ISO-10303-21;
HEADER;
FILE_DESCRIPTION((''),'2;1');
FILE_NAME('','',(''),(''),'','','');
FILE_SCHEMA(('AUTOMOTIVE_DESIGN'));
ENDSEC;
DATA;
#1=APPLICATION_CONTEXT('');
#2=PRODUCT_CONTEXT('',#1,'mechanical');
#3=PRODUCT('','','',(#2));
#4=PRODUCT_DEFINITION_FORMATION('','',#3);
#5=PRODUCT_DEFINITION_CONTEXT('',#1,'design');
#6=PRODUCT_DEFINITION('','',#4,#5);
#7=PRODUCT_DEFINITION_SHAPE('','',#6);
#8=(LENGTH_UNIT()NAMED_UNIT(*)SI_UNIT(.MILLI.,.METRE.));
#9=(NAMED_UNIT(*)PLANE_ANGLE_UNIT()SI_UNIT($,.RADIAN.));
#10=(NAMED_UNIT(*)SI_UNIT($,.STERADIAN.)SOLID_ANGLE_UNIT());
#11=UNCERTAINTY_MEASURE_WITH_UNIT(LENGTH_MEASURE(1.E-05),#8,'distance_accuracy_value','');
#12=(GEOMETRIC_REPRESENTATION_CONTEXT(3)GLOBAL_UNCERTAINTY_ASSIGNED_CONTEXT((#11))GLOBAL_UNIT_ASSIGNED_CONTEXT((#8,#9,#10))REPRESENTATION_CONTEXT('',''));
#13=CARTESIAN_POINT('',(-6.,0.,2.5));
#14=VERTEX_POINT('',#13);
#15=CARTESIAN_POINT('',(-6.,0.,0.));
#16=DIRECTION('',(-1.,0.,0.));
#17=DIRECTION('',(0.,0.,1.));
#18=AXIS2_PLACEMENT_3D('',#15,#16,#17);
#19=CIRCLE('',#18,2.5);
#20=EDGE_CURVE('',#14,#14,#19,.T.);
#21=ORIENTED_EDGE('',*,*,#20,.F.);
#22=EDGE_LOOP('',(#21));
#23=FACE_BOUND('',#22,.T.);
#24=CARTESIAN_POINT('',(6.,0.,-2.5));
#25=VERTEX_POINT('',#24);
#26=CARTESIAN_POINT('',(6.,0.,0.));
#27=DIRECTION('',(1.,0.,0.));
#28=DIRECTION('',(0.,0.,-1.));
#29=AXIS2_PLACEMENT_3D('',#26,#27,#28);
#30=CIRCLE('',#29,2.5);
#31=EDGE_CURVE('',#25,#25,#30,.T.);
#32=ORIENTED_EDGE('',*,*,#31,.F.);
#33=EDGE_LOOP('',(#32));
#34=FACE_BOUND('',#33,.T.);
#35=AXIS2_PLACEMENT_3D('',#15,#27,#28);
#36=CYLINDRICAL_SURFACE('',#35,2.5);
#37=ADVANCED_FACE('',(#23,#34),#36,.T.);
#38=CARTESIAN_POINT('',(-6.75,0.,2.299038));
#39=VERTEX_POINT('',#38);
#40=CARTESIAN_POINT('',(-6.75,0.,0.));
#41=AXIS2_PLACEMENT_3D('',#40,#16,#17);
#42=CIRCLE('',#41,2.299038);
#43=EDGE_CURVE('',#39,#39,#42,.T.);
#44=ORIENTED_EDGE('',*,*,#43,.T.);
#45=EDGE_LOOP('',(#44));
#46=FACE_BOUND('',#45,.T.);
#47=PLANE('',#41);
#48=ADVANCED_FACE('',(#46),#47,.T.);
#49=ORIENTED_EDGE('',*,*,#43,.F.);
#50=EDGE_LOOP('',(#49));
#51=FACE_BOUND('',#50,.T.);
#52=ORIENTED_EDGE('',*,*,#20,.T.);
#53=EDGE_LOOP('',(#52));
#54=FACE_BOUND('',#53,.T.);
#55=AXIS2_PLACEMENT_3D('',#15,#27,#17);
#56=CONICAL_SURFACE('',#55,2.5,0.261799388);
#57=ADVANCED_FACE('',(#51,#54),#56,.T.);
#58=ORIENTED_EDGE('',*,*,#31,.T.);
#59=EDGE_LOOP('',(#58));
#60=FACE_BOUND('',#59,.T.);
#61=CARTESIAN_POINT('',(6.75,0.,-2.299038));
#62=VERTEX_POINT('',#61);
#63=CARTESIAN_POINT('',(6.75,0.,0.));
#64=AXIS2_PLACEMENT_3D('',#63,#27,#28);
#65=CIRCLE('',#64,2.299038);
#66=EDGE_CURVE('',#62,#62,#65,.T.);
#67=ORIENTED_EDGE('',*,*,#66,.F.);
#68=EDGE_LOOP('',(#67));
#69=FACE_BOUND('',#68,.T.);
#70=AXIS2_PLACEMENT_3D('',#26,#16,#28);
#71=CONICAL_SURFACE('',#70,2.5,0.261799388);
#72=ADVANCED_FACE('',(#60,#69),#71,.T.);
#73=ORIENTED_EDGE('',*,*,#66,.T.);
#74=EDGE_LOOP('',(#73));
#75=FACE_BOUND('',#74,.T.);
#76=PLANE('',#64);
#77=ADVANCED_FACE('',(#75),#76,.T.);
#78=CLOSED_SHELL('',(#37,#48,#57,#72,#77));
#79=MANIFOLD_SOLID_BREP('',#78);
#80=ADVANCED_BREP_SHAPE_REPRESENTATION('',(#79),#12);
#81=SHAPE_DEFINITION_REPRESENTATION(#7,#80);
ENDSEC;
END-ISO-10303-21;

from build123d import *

# Parameters (mm, degrees)
EXTRUDE1_DEPTH      = 6
EXTRUDE1_DEPTH_BACK = 6
SKETCH2_R           = 2.5
SKETCH3_R           = 2.5
EXTRUDE2_DEPTH      = 0.75
EXTRUDE2_TAPER      = 15
SKETCH4_R           = 2.5
EXTRUDE3_DEPTH      = 0.75
EXTRUDE3_TAPER      = 15


with BuildPart() as part:
    # Sketch2 → Extrude1 (new, two sides: drawn at the far end of the back side and taken through both)
    with BuildSketch(Plane(origin=(0, 0, 0), x_dir=(0, 0, -1), z_dir=(1, 0, 0)).offset(-EXTRUDE1_DEPTH_BACK)):
        Circle(SKETCH2_R)
    extrude(amount=EXTRUDE1_DEPTH + EXTRUDE1_DEPTH_BACK)

    # Sketch3 → Extrude2 (add)
    with BuildSketch(Plane(origin=(6, 0, 0), x_dir=(0, 0, -1), z_dir=(1, 0, 0))):
        Circle(SKETCH3_R)
    extrude(amount=EXTRUDE2_DEPTH, taper=EXTRUDE2_TAPER)

    # Sketch4 → Extrude3 (add)
    with BuildSketch(Plane.ZY.offset(6)):
        with Locations(Location((0, 0, 0), (0, 0, 180))):
            Circle(SKETCH4_R)
    extrude(amount=EXTRUDE3_DEPTH, taper=EXTRUDE3_TAPER)


solid = part.part
